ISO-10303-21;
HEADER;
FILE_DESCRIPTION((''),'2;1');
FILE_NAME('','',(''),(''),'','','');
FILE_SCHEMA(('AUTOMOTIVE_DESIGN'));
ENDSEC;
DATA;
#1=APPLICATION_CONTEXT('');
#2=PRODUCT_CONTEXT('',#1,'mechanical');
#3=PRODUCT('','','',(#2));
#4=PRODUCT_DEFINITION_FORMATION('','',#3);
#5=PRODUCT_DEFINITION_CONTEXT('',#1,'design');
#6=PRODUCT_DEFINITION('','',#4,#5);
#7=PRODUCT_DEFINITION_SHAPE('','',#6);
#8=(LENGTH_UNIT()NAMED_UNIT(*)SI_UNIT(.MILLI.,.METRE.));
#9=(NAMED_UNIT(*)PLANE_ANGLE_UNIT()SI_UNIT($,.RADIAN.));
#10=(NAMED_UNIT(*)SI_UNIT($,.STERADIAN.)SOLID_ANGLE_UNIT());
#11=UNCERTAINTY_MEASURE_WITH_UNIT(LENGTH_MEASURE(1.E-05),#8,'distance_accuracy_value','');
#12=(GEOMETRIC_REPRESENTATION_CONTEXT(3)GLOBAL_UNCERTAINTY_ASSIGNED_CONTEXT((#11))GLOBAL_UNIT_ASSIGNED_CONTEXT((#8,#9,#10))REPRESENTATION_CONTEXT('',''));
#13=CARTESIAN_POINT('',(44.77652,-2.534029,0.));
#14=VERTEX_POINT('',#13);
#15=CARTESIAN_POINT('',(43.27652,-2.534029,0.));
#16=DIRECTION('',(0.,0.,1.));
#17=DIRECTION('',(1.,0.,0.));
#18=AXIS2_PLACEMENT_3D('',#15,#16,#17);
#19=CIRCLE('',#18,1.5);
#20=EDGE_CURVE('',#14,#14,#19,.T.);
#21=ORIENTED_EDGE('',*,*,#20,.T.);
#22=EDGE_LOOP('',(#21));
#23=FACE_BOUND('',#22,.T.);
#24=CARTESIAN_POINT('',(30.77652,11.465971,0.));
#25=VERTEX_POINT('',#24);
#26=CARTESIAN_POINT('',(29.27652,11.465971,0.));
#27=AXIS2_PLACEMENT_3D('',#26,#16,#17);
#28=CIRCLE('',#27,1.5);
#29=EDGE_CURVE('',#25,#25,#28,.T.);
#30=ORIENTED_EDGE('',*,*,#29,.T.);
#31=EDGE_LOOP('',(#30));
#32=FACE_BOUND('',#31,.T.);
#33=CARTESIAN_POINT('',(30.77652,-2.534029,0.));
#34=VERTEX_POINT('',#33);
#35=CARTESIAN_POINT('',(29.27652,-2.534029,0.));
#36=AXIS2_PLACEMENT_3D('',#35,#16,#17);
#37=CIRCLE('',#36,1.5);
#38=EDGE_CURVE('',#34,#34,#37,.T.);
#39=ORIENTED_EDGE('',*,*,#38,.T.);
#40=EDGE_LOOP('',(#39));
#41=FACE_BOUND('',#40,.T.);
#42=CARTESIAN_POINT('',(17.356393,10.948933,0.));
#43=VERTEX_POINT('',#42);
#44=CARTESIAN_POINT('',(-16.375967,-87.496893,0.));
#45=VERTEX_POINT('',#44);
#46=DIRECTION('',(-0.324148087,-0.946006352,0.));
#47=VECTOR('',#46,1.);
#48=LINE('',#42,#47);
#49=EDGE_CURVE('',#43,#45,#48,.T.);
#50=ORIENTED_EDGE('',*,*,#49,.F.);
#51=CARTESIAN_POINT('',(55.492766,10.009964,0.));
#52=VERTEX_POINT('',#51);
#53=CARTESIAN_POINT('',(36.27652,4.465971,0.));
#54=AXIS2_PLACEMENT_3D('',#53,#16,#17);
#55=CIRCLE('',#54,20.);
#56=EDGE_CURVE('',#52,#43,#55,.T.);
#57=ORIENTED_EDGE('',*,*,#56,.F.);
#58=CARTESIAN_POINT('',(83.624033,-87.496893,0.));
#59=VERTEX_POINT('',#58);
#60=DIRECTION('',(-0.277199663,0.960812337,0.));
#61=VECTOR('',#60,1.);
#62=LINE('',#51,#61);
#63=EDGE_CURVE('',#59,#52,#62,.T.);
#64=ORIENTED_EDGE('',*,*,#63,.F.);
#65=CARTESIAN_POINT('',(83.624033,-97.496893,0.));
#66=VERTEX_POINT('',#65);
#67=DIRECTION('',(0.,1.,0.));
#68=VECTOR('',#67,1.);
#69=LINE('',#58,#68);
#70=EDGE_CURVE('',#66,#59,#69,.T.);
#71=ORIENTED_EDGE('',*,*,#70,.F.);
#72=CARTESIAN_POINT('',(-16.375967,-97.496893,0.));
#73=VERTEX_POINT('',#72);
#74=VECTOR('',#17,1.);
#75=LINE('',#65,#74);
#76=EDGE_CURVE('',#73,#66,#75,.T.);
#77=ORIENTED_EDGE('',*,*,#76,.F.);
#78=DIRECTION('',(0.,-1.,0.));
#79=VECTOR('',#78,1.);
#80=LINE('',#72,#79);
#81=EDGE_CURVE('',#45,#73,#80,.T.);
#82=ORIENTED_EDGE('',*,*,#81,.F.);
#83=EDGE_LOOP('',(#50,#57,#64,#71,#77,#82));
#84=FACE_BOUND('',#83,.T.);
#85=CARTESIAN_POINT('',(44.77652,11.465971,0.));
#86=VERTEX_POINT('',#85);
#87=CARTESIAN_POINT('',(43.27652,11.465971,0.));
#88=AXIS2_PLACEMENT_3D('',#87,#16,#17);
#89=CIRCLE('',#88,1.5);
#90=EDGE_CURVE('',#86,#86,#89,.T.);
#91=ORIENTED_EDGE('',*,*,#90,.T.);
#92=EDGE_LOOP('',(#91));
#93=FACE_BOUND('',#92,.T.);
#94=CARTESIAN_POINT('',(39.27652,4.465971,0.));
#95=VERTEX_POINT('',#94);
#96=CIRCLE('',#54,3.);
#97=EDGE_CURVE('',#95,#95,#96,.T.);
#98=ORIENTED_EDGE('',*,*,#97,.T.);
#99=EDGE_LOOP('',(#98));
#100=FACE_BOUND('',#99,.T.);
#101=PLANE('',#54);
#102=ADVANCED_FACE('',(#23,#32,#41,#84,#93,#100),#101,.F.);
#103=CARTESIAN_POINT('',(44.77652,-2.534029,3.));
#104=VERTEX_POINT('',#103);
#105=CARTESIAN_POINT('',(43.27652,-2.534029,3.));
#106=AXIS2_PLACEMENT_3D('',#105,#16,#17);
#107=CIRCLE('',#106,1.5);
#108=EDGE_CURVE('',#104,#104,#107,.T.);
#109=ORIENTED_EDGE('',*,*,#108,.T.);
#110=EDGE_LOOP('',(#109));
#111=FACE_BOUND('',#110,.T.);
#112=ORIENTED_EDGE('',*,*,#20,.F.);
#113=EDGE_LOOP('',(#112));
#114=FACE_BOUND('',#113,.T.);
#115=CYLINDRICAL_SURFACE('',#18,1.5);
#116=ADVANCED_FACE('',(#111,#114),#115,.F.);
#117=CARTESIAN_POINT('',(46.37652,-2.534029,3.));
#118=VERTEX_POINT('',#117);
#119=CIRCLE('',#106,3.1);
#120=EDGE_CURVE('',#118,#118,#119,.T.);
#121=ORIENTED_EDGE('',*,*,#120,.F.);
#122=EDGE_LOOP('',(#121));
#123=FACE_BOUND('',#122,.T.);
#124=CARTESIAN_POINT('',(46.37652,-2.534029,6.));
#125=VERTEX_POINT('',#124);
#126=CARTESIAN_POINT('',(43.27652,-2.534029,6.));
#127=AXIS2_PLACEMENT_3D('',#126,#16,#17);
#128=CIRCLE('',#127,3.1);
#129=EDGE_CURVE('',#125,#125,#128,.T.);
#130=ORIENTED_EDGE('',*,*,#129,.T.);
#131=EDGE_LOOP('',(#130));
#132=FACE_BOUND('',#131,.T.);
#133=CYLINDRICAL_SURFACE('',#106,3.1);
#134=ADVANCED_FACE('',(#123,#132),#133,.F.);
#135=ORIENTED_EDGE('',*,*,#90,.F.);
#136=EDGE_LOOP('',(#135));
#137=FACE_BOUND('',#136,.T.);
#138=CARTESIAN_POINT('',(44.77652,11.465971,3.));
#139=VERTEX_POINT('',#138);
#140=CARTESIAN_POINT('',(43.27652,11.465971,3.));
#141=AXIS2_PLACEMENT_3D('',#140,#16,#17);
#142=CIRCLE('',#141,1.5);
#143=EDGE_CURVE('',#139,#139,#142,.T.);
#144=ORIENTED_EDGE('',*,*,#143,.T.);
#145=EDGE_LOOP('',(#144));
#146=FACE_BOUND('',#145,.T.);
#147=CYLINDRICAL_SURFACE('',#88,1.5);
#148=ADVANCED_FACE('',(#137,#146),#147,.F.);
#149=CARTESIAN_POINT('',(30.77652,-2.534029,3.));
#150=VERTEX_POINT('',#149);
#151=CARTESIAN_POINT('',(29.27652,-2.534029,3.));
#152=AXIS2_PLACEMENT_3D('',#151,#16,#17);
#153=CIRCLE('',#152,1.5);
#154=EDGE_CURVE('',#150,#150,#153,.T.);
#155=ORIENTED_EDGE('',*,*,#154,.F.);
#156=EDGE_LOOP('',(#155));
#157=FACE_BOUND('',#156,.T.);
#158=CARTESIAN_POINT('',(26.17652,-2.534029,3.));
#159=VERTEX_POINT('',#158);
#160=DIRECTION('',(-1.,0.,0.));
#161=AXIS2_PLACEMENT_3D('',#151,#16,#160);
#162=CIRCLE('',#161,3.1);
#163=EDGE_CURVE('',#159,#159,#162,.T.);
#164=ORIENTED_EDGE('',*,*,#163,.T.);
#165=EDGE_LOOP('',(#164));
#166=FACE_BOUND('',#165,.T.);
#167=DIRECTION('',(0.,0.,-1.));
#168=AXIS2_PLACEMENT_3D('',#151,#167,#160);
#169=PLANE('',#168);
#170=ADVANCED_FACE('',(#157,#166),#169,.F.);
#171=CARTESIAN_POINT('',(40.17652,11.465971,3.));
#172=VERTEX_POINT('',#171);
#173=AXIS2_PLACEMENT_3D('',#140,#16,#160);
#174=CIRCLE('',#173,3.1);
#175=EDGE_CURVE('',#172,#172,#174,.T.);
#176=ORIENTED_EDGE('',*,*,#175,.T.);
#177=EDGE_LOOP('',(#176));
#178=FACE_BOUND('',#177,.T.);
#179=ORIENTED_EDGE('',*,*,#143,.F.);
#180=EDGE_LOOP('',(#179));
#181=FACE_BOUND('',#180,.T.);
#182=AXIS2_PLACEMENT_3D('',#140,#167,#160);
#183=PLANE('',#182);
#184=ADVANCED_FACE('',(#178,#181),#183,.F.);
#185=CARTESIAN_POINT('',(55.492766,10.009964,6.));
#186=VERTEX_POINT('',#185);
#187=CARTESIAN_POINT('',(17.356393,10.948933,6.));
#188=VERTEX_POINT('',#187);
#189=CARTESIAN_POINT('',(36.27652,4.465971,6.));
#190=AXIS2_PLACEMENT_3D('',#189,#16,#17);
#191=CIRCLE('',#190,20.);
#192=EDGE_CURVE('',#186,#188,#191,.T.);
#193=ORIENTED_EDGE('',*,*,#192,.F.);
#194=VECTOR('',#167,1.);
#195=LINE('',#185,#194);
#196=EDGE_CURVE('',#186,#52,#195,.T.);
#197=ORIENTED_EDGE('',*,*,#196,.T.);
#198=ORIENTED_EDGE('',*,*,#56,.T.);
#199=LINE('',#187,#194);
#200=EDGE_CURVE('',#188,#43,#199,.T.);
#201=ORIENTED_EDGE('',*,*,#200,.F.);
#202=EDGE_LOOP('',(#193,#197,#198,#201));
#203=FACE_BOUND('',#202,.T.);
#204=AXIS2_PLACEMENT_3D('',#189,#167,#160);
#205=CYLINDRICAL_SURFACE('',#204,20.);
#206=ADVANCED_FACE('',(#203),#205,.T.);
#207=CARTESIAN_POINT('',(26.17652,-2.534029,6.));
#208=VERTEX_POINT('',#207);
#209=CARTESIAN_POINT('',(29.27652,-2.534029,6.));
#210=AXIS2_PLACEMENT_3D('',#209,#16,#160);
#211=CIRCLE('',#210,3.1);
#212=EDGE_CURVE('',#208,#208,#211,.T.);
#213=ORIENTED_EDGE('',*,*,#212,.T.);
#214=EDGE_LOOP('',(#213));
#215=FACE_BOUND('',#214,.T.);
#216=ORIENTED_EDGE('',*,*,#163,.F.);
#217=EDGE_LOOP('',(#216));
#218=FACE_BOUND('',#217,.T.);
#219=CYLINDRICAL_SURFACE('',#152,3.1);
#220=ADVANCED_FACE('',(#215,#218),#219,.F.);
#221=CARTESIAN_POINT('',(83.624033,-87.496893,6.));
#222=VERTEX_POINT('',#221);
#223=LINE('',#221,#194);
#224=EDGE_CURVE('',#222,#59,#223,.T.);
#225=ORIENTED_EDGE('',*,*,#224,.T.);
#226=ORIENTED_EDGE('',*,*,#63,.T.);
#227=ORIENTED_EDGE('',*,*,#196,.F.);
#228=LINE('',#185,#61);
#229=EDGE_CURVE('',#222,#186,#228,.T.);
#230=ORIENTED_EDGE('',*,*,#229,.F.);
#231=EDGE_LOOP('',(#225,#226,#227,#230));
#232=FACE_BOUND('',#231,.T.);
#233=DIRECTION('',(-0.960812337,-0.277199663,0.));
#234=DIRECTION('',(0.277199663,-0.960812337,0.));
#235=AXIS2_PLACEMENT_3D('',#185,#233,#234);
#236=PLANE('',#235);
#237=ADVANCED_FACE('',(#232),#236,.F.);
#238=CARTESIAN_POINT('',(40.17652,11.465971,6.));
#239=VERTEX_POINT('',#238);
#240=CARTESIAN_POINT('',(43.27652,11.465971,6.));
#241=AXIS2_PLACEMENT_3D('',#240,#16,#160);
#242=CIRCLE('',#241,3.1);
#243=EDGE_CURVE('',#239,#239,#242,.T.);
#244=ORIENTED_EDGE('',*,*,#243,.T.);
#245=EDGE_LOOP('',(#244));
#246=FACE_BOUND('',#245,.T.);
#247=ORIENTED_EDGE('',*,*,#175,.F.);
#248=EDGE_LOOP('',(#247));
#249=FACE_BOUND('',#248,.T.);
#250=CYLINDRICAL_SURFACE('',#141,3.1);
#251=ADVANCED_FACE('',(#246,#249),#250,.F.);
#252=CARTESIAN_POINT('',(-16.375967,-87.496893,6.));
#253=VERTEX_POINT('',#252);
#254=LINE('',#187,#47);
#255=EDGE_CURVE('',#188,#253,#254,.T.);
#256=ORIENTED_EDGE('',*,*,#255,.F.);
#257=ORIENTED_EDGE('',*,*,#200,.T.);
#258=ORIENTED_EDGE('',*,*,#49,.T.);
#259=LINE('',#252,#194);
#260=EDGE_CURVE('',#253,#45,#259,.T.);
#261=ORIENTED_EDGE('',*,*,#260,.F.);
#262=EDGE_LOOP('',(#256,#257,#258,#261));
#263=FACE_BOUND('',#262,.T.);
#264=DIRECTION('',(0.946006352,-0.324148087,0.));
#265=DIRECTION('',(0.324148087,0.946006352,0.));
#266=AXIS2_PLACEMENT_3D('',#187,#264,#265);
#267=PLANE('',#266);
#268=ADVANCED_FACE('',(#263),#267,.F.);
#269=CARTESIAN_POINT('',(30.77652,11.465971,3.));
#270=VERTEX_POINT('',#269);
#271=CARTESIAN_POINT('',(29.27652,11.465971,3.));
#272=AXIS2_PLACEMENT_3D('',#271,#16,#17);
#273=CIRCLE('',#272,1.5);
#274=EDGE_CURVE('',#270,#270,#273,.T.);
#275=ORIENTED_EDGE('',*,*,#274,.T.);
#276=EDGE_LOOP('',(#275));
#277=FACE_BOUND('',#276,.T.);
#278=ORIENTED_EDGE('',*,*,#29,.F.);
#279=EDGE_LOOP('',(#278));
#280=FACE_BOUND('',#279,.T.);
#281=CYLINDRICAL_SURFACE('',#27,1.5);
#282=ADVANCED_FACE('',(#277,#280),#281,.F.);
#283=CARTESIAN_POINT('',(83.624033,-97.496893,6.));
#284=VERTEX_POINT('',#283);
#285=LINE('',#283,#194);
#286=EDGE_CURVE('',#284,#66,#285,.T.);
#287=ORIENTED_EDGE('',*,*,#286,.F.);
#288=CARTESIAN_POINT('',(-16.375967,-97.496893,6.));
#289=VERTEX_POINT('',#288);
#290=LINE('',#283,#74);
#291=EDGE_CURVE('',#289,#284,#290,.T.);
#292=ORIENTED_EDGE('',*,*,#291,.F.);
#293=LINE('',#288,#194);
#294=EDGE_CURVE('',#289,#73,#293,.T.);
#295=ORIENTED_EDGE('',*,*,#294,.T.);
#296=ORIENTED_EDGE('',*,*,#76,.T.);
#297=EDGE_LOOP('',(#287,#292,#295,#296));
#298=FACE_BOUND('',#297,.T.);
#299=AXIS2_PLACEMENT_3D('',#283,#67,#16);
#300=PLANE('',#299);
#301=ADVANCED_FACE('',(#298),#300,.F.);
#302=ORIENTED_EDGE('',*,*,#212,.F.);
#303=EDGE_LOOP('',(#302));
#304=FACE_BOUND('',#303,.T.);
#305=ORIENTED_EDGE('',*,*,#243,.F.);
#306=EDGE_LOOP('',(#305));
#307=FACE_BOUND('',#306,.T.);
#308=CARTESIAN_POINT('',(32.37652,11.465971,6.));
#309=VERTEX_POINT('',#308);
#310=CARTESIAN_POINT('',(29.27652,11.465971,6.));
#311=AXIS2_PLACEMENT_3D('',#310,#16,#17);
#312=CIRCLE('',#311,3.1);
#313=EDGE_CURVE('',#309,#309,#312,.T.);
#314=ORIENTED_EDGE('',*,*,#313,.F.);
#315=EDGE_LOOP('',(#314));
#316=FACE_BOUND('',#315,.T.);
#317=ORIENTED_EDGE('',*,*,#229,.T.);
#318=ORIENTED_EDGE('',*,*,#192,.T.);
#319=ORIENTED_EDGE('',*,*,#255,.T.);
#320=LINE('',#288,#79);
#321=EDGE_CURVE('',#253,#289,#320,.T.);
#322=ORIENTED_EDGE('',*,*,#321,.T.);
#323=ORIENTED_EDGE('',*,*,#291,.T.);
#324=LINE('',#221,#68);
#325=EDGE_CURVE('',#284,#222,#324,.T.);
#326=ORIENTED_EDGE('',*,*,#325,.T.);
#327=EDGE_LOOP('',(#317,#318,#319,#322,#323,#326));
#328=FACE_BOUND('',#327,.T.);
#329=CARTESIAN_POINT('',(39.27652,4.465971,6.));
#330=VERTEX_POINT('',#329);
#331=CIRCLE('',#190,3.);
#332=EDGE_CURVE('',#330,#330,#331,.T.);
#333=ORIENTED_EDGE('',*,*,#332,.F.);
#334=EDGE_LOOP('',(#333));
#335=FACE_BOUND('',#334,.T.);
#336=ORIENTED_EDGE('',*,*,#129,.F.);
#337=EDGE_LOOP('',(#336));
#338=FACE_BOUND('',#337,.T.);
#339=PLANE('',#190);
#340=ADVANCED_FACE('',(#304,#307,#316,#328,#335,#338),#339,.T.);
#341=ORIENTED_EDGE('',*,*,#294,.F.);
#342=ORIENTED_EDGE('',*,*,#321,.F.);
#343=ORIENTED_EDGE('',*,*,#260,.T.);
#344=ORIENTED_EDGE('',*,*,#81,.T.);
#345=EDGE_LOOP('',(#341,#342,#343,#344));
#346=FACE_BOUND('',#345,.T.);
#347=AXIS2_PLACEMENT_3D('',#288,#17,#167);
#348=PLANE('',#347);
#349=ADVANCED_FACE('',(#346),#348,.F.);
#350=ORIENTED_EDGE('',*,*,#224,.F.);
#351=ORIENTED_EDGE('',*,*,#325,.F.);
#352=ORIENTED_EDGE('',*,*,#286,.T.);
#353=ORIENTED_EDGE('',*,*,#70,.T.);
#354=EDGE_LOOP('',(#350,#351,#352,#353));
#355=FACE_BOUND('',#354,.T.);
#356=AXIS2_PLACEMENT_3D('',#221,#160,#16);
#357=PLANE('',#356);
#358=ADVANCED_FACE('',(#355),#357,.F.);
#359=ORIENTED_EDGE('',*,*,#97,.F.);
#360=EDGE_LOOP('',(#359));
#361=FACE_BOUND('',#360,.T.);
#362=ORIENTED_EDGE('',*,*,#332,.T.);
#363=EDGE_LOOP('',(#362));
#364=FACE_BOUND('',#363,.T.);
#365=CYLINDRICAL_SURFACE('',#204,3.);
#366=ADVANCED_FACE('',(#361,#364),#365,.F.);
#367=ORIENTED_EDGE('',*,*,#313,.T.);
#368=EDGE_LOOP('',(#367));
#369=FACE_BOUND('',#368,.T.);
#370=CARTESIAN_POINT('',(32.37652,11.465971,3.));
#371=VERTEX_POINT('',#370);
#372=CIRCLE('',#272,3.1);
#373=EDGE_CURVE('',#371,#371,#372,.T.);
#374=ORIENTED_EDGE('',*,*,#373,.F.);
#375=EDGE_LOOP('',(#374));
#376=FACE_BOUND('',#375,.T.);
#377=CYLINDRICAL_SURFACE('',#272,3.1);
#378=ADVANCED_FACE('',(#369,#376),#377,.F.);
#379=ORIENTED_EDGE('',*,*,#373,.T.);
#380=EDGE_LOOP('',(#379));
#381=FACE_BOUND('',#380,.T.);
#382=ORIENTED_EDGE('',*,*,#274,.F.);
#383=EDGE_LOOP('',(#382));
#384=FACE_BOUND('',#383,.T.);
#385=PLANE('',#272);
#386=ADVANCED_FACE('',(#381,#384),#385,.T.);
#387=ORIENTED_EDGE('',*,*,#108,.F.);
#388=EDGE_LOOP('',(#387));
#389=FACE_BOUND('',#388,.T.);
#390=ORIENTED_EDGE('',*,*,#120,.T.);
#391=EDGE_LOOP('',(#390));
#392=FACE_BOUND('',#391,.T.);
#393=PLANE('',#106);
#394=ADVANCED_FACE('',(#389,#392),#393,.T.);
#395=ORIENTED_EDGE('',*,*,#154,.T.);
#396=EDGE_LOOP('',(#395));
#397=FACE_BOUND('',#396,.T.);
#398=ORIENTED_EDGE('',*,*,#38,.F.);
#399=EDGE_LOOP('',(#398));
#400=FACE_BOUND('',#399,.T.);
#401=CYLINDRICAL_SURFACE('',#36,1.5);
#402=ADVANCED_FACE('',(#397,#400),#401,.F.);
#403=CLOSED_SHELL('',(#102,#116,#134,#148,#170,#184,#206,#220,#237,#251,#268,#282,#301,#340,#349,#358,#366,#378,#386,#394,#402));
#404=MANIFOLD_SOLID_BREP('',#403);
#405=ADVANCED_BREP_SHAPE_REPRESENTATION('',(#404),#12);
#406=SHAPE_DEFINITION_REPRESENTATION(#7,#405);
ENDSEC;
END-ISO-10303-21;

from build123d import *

# Parameters (mm, degrees)
SKETCH_1_R          = 3
EXTRUDE_1_DEPTH     = 6
SKETCH_2_R          = 3.1
CUT_EXTRUDE_6_DEPTH = 3
SKETCH_4_R          = 1.5
CUT_EXTRUDE_7_DEPTH = 129.481995307


with BuildPart() as part:
    # 草图1 → 凸台-拉伸1 (new body)
    with BuildSketch(Plane.XY):
        with BuildLine():
            Line((55.4927663, 10.009964479), (83.62403307, -87.496893342))
            Line((83.62403307, -87.496893342), (83.62403307, -97.496893342))
            Line((83.62403307, -97.496893342), (-16.37596693, -97.496893342))
            Line((-16.37596693, -97.496893342), (-16.37596693, -87.496893342))
            Line((-16.37596693, -87.496893342), (17.356392529, 10.94893296))
            ThreePointArc((17.356392529, 10.94893296), (36.768797098, 24.459911865), (55.4927663, 10.009964479))
        make_face()
        with Locations((36.276519563, 4.465971212)):
            Circle(SKETCH_1_R, mode=Mode.SUBTRACT)
    extrude(amount=EXTRUDE_1_DEPTH)

    # 草图2 → 切除-拉伸6 (cut)
    with BuildSketch(Plane.XY.offset(6)):
        with Locations((29.276519563, 11.465971212)):
            Circle(SKETCH_2_R)
        with Locations(Location((43.276519563, 11.465971212, 0), (0, 0, 180))):
            Circle(SKETCH_2_R)
        with Locations((43.276519563, -2.534028788)):
            Circle(SKETCH_2_R)
        with Locations(Location((29.276519563, -2.534028788, 0), (0, 0, 180))):
            Circle(SKETCH_2_R)
    extrude(amount=-CUT_EXTRUDE_6_DEPTH, mode=Mode.SUBTRACT)

    # 草图4 → 切除-拉伸7 (cut, through all)
    with BuildSketch(Plane.XY.offset(3)):
        with Locations((43.276519563, 11.465971212)):
            Circle(SKETCH_4_R)
        with Locations((43.276519563, -2.534028788)):
            Circle(SKETCH_4_R)
        with Locations((29.276519563, -2.534028788)):
            Circle(SKETCH_4_R)
        with Locations((29.276519563, 11.465971212)):
            Circle(SKETCH_4_R)
    extrude(amount=-CUT_EXTRUDE_7_DEPTH, mode=Mode.SUBTRACT)


solid = part.part
